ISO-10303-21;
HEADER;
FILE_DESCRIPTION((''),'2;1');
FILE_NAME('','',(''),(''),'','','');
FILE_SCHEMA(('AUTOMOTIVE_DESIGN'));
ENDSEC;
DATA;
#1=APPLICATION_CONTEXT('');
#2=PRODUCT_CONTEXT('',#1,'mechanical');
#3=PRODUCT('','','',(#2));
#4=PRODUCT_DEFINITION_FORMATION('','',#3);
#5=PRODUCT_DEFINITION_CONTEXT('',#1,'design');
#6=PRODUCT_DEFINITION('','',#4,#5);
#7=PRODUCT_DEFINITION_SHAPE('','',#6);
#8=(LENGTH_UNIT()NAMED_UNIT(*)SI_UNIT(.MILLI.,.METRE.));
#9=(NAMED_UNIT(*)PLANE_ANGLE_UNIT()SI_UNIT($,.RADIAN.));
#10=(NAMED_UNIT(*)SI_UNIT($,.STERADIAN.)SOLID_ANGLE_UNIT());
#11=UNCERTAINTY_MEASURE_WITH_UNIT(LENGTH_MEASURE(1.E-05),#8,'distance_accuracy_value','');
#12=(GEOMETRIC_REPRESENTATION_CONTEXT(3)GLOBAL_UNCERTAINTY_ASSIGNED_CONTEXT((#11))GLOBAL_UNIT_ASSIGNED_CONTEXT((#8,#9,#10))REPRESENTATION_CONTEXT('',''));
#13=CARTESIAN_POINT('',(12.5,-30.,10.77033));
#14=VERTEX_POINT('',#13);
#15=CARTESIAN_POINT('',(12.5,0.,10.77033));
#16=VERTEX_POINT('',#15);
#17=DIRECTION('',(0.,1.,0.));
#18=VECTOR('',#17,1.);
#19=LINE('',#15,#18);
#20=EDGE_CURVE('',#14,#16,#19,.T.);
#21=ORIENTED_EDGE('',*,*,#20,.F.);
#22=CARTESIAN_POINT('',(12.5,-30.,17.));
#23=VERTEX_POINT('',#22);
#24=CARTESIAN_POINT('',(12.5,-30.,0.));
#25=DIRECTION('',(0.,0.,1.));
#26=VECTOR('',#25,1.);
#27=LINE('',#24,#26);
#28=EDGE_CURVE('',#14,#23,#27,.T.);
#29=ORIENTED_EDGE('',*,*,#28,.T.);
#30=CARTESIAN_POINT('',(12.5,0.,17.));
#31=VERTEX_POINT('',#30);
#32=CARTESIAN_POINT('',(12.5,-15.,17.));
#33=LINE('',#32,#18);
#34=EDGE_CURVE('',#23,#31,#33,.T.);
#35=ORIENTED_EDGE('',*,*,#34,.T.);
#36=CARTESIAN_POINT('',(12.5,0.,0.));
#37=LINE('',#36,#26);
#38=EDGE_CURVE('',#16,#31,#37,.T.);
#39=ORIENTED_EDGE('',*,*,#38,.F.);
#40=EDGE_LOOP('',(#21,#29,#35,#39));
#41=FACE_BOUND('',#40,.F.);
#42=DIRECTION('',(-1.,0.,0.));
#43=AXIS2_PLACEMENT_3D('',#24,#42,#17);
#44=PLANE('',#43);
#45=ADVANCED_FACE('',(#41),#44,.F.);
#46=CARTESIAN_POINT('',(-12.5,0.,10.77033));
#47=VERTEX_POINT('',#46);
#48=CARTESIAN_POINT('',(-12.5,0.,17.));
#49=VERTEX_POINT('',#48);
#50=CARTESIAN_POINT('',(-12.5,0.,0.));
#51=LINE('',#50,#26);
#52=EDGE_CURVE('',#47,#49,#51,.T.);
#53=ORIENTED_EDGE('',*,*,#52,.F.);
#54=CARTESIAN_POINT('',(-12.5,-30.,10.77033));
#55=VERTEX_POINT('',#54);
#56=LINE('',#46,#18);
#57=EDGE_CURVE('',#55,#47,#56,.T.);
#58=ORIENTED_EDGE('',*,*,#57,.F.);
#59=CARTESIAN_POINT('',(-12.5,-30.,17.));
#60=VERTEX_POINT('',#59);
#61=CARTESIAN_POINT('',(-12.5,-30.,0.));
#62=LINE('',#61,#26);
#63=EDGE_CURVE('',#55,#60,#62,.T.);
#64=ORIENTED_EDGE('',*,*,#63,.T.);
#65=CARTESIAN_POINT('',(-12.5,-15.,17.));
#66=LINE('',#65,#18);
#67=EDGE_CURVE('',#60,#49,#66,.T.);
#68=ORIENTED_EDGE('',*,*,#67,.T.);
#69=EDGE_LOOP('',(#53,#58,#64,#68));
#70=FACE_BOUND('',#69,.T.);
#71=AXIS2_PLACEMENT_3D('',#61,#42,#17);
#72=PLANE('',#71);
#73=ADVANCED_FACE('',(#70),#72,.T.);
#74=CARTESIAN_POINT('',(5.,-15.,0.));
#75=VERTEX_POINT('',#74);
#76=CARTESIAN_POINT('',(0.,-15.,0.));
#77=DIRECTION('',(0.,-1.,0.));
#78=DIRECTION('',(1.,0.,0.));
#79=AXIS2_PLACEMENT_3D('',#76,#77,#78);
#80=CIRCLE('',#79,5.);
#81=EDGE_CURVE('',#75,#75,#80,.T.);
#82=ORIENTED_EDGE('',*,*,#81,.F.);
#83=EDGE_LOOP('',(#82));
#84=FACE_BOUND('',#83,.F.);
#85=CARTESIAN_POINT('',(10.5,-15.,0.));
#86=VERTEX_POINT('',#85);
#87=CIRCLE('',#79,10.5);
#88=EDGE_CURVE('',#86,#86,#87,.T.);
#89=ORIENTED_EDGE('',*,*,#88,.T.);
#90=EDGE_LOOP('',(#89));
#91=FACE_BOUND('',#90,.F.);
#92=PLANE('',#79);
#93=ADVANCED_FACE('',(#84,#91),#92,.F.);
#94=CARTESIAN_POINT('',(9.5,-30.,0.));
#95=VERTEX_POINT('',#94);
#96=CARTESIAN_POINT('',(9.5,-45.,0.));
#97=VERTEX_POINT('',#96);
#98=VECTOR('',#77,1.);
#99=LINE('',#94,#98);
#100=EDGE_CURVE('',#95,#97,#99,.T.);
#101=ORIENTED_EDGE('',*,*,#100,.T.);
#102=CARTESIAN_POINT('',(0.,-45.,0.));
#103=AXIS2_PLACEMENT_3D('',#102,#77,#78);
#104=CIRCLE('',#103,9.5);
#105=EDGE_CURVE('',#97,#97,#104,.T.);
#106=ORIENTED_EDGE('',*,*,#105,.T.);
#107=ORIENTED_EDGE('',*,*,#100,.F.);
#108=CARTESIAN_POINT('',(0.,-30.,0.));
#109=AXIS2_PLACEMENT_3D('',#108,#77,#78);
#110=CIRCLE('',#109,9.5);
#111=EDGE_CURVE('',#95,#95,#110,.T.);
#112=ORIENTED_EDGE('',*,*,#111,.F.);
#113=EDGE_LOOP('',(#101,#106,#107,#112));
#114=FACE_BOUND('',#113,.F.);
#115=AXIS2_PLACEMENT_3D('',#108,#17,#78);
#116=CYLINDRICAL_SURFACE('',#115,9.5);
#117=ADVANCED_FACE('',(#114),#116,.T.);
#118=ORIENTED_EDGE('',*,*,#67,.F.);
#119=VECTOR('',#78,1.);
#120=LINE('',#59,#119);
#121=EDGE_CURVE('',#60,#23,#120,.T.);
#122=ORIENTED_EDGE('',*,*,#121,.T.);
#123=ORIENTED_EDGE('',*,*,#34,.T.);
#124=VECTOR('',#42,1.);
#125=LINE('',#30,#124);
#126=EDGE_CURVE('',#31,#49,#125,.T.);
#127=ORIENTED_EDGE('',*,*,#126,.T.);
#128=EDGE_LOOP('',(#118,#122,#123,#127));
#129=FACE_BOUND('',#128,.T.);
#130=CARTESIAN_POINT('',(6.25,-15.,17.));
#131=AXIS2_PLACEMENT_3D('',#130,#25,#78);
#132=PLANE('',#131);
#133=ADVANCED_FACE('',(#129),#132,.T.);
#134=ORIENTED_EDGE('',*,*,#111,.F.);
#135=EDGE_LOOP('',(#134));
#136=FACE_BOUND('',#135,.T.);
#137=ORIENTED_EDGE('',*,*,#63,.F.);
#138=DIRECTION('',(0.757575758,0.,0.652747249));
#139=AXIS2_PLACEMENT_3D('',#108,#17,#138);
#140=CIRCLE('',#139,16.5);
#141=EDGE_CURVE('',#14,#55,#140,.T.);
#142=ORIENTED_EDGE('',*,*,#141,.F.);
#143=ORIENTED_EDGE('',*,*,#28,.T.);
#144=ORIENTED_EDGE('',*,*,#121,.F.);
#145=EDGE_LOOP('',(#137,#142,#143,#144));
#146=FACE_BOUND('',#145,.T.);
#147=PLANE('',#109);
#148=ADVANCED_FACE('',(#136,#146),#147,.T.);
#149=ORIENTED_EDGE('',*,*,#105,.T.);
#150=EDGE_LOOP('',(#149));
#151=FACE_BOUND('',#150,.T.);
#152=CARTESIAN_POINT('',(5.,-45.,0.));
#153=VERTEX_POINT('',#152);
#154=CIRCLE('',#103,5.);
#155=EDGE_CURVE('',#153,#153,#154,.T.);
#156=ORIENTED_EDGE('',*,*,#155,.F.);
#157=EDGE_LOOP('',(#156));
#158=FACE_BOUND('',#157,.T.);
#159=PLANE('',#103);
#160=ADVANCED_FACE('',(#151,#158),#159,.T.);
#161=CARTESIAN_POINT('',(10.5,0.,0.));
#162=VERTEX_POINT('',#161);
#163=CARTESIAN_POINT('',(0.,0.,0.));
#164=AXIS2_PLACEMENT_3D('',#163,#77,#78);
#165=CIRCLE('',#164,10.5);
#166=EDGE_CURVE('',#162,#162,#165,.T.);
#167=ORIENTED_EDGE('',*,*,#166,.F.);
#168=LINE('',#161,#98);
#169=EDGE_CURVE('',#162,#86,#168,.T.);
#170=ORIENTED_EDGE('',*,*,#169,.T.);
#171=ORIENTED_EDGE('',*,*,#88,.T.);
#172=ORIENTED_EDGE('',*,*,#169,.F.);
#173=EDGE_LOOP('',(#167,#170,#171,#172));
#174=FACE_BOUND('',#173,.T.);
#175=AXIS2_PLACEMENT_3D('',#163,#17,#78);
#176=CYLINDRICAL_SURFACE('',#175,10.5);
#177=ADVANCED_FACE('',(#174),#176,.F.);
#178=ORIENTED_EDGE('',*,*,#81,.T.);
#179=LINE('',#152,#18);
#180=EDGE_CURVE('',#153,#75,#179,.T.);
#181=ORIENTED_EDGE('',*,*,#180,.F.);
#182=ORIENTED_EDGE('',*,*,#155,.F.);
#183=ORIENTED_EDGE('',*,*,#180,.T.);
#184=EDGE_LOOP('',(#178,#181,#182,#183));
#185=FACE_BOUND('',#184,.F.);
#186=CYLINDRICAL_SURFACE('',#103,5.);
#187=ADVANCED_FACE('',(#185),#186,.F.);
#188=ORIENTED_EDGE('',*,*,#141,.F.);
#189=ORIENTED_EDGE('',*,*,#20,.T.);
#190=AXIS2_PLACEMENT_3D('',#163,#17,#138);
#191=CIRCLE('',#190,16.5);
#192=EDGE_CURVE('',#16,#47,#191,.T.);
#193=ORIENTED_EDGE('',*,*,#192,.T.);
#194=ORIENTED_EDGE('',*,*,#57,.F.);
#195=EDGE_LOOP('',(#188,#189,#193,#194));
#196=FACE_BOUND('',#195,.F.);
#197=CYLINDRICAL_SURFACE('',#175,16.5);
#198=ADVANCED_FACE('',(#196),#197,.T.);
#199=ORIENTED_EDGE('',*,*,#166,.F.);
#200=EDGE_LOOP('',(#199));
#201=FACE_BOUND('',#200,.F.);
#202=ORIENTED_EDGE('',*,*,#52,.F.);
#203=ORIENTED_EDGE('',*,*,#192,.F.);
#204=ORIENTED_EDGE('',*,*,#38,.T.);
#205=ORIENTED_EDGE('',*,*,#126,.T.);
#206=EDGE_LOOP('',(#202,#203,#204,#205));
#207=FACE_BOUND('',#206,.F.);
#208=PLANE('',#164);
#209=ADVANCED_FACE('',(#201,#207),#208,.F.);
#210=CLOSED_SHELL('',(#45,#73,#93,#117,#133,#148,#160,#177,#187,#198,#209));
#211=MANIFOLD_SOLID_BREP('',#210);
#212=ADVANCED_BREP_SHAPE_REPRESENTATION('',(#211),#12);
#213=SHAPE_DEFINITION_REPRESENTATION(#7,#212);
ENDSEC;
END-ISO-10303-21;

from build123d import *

# Parameters (mm, degrees)
F0_R     = 16.5
F1_DEPTH = 30
F2_W     = 12.5
F2_H     = 30
F3_DEPTH = 17
F4_R     = 9.5
F5_DEPTH = 15
F6_R     = 10.5
F7_DEPTH = 15
F8_R     = 5
F9_DEPTH = 77


with BuildPart() as f1:
    # F0 (on Front) → F1 (new body)
    with BuildSketch(Plane.XZ):
        Circle(F0_R)
    extrude(amount=F1_DEPTH)

    # F2 (on Top) → F3 (join)
    with BuildSketch(Plane.XY):
        with Locations((6.25, -15)):
            Rectangle(F2_W, F2_H)
        with Locations((-6.25, -15)):
            Rectangle(F2_W, F2_H)
    extrude(amount=F3_DEPTH)

    # F4 (on face) → F5 (join)
    with BuildSketch(Plane.XZ.offset(30)):
        Circle(F4_R)
    extrude(amount=F5_DEPTH)

    # F6 (on Front) → F7 (cut)
    with BuildSketch(Plane.XZ):
        Circle(F6_R)
    extrude(amount=F7_DEPTH, mode=Mode.SUBTRACT)

    # F8 (on face) → F9 (cut)
    with BuildSketch(Plane.XZ.offset(45)):
        Circle(F8_R)
    extrude(amount=-F9_DEPTH, mode=Mode.SUBTRACT)


solid = f1.part
